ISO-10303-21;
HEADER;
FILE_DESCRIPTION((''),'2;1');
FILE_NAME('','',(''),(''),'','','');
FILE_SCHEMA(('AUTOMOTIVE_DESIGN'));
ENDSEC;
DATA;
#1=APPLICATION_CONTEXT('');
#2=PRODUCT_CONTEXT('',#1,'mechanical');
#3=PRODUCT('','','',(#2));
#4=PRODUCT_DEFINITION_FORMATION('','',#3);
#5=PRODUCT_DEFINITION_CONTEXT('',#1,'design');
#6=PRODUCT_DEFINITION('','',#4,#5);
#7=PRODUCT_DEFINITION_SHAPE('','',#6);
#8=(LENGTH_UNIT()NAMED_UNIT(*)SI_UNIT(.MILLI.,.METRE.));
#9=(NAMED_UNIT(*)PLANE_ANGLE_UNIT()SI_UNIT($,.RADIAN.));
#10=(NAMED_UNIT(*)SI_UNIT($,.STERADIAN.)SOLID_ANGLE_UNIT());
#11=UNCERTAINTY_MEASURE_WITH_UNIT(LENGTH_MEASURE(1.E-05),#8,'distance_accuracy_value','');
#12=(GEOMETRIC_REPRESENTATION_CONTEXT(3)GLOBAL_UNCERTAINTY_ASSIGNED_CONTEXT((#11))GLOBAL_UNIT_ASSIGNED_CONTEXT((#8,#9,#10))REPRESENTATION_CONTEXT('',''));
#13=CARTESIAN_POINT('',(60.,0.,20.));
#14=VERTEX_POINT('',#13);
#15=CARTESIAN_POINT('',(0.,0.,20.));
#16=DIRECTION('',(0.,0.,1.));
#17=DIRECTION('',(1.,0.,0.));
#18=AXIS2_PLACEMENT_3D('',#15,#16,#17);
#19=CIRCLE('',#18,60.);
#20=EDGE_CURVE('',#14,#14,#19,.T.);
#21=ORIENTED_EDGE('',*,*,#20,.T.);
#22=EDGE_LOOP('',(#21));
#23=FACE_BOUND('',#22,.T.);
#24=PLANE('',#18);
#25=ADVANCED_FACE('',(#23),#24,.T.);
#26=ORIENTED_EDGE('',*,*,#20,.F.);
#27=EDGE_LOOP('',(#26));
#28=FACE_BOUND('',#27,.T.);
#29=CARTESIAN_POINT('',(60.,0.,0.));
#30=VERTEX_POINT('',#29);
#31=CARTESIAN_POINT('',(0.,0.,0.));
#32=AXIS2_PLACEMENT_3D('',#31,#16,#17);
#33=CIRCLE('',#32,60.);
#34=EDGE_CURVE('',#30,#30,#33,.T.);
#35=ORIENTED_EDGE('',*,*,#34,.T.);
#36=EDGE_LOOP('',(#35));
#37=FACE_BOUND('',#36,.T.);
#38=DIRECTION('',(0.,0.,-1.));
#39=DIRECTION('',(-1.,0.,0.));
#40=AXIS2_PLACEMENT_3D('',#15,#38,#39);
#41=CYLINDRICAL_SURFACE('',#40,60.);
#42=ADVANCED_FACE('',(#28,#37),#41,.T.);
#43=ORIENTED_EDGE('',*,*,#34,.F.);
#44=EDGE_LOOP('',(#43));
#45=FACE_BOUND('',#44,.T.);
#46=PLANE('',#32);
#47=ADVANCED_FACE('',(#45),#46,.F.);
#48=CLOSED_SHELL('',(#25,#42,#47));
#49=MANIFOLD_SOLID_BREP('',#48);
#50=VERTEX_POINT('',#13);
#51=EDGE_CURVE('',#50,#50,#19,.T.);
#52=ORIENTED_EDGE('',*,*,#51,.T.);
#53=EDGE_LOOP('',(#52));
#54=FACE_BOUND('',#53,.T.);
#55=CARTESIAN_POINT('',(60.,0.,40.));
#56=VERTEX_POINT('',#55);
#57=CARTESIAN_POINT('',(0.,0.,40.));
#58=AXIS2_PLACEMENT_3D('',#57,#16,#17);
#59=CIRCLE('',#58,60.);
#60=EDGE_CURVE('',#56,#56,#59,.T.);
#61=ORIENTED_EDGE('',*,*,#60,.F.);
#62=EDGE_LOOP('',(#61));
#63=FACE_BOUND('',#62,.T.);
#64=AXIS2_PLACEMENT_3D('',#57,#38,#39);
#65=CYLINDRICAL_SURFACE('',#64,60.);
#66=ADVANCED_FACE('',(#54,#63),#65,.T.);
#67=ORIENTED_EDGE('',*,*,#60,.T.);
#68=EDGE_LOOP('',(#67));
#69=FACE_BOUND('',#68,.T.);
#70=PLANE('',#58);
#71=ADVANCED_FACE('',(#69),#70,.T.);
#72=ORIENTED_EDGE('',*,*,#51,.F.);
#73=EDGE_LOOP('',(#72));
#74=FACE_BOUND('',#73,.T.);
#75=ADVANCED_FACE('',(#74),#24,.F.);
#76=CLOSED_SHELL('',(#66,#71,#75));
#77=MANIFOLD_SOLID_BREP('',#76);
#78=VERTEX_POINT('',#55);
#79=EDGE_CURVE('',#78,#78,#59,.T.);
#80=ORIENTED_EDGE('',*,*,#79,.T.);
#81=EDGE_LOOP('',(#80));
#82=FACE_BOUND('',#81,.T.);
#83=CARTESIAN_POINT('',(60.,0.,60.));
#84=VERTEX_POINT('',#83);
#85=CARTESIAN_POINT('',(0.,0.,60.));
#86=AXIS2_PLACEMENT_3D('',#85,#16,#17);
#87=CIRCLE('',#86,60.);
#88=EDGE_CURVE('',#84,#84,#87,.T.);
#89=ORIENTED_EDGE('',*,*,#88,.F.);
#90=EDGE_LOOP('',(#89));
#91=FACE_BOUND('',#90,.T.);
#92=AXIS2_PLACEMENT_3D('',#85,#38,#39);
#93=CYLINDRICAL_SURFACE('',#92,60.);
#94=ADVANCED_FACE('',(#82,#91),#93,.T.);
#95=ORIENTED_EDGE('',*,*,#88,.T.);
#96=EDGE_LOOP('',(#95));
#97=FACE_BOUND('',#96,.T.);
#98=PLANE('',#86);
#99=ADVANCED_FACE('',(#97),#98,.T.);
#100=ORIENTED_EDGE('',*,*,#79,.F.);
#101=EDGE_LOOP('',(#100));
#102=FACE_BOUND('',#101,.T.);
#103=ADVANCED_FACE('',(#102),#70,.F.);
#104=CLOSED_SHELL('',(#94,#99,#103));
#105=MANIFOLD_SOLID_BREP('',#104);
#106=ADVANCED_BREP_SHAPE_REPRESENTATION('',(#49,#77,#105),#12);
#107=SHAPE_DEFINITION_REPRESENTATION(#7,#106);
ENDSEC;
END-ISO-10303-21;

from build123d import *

# Parameters (mm, degrees)
SKETCH1_R           = 60
BOSS_EXTRUDE1_DEPTH = 20
SKETCH2_R           = 60
BOSS_EXTRUDE2_DEPTH = 20
SKETCH3_R           = 60
BOSS_EXTRUDE3_DEPTH = 20


with BuildPart() as part:
    # Sketch1 → Boss-Extrude1 (new body)
    with BuildSketch(Plane.XY):
        Circle(SKETCH1_R)
    extrude(amount=BOSS_EXTRUDE1_DEPTH)


with BuildPart() as body_2:
    # Sketch2 → Boss-Extrude2 (new body)
    with BuildSketch(Plane.XY.offset(20)):
        Circle(SKETCH2_R)
    extrude(amount=BOSS_EXTRUDE2_DEPTH)


with BuildPart() as body_3:
    # Sketch3 → Boss-Extrude3 (new body)
    with BuildSketch(Plane.XY.offset(40)):
        Circle(SKETCH3_R)
    extrude(amount=BOSS_EXTRUDE3_DEPTH)


solid = Compound([part.part, body_2.part, body_3.part])
